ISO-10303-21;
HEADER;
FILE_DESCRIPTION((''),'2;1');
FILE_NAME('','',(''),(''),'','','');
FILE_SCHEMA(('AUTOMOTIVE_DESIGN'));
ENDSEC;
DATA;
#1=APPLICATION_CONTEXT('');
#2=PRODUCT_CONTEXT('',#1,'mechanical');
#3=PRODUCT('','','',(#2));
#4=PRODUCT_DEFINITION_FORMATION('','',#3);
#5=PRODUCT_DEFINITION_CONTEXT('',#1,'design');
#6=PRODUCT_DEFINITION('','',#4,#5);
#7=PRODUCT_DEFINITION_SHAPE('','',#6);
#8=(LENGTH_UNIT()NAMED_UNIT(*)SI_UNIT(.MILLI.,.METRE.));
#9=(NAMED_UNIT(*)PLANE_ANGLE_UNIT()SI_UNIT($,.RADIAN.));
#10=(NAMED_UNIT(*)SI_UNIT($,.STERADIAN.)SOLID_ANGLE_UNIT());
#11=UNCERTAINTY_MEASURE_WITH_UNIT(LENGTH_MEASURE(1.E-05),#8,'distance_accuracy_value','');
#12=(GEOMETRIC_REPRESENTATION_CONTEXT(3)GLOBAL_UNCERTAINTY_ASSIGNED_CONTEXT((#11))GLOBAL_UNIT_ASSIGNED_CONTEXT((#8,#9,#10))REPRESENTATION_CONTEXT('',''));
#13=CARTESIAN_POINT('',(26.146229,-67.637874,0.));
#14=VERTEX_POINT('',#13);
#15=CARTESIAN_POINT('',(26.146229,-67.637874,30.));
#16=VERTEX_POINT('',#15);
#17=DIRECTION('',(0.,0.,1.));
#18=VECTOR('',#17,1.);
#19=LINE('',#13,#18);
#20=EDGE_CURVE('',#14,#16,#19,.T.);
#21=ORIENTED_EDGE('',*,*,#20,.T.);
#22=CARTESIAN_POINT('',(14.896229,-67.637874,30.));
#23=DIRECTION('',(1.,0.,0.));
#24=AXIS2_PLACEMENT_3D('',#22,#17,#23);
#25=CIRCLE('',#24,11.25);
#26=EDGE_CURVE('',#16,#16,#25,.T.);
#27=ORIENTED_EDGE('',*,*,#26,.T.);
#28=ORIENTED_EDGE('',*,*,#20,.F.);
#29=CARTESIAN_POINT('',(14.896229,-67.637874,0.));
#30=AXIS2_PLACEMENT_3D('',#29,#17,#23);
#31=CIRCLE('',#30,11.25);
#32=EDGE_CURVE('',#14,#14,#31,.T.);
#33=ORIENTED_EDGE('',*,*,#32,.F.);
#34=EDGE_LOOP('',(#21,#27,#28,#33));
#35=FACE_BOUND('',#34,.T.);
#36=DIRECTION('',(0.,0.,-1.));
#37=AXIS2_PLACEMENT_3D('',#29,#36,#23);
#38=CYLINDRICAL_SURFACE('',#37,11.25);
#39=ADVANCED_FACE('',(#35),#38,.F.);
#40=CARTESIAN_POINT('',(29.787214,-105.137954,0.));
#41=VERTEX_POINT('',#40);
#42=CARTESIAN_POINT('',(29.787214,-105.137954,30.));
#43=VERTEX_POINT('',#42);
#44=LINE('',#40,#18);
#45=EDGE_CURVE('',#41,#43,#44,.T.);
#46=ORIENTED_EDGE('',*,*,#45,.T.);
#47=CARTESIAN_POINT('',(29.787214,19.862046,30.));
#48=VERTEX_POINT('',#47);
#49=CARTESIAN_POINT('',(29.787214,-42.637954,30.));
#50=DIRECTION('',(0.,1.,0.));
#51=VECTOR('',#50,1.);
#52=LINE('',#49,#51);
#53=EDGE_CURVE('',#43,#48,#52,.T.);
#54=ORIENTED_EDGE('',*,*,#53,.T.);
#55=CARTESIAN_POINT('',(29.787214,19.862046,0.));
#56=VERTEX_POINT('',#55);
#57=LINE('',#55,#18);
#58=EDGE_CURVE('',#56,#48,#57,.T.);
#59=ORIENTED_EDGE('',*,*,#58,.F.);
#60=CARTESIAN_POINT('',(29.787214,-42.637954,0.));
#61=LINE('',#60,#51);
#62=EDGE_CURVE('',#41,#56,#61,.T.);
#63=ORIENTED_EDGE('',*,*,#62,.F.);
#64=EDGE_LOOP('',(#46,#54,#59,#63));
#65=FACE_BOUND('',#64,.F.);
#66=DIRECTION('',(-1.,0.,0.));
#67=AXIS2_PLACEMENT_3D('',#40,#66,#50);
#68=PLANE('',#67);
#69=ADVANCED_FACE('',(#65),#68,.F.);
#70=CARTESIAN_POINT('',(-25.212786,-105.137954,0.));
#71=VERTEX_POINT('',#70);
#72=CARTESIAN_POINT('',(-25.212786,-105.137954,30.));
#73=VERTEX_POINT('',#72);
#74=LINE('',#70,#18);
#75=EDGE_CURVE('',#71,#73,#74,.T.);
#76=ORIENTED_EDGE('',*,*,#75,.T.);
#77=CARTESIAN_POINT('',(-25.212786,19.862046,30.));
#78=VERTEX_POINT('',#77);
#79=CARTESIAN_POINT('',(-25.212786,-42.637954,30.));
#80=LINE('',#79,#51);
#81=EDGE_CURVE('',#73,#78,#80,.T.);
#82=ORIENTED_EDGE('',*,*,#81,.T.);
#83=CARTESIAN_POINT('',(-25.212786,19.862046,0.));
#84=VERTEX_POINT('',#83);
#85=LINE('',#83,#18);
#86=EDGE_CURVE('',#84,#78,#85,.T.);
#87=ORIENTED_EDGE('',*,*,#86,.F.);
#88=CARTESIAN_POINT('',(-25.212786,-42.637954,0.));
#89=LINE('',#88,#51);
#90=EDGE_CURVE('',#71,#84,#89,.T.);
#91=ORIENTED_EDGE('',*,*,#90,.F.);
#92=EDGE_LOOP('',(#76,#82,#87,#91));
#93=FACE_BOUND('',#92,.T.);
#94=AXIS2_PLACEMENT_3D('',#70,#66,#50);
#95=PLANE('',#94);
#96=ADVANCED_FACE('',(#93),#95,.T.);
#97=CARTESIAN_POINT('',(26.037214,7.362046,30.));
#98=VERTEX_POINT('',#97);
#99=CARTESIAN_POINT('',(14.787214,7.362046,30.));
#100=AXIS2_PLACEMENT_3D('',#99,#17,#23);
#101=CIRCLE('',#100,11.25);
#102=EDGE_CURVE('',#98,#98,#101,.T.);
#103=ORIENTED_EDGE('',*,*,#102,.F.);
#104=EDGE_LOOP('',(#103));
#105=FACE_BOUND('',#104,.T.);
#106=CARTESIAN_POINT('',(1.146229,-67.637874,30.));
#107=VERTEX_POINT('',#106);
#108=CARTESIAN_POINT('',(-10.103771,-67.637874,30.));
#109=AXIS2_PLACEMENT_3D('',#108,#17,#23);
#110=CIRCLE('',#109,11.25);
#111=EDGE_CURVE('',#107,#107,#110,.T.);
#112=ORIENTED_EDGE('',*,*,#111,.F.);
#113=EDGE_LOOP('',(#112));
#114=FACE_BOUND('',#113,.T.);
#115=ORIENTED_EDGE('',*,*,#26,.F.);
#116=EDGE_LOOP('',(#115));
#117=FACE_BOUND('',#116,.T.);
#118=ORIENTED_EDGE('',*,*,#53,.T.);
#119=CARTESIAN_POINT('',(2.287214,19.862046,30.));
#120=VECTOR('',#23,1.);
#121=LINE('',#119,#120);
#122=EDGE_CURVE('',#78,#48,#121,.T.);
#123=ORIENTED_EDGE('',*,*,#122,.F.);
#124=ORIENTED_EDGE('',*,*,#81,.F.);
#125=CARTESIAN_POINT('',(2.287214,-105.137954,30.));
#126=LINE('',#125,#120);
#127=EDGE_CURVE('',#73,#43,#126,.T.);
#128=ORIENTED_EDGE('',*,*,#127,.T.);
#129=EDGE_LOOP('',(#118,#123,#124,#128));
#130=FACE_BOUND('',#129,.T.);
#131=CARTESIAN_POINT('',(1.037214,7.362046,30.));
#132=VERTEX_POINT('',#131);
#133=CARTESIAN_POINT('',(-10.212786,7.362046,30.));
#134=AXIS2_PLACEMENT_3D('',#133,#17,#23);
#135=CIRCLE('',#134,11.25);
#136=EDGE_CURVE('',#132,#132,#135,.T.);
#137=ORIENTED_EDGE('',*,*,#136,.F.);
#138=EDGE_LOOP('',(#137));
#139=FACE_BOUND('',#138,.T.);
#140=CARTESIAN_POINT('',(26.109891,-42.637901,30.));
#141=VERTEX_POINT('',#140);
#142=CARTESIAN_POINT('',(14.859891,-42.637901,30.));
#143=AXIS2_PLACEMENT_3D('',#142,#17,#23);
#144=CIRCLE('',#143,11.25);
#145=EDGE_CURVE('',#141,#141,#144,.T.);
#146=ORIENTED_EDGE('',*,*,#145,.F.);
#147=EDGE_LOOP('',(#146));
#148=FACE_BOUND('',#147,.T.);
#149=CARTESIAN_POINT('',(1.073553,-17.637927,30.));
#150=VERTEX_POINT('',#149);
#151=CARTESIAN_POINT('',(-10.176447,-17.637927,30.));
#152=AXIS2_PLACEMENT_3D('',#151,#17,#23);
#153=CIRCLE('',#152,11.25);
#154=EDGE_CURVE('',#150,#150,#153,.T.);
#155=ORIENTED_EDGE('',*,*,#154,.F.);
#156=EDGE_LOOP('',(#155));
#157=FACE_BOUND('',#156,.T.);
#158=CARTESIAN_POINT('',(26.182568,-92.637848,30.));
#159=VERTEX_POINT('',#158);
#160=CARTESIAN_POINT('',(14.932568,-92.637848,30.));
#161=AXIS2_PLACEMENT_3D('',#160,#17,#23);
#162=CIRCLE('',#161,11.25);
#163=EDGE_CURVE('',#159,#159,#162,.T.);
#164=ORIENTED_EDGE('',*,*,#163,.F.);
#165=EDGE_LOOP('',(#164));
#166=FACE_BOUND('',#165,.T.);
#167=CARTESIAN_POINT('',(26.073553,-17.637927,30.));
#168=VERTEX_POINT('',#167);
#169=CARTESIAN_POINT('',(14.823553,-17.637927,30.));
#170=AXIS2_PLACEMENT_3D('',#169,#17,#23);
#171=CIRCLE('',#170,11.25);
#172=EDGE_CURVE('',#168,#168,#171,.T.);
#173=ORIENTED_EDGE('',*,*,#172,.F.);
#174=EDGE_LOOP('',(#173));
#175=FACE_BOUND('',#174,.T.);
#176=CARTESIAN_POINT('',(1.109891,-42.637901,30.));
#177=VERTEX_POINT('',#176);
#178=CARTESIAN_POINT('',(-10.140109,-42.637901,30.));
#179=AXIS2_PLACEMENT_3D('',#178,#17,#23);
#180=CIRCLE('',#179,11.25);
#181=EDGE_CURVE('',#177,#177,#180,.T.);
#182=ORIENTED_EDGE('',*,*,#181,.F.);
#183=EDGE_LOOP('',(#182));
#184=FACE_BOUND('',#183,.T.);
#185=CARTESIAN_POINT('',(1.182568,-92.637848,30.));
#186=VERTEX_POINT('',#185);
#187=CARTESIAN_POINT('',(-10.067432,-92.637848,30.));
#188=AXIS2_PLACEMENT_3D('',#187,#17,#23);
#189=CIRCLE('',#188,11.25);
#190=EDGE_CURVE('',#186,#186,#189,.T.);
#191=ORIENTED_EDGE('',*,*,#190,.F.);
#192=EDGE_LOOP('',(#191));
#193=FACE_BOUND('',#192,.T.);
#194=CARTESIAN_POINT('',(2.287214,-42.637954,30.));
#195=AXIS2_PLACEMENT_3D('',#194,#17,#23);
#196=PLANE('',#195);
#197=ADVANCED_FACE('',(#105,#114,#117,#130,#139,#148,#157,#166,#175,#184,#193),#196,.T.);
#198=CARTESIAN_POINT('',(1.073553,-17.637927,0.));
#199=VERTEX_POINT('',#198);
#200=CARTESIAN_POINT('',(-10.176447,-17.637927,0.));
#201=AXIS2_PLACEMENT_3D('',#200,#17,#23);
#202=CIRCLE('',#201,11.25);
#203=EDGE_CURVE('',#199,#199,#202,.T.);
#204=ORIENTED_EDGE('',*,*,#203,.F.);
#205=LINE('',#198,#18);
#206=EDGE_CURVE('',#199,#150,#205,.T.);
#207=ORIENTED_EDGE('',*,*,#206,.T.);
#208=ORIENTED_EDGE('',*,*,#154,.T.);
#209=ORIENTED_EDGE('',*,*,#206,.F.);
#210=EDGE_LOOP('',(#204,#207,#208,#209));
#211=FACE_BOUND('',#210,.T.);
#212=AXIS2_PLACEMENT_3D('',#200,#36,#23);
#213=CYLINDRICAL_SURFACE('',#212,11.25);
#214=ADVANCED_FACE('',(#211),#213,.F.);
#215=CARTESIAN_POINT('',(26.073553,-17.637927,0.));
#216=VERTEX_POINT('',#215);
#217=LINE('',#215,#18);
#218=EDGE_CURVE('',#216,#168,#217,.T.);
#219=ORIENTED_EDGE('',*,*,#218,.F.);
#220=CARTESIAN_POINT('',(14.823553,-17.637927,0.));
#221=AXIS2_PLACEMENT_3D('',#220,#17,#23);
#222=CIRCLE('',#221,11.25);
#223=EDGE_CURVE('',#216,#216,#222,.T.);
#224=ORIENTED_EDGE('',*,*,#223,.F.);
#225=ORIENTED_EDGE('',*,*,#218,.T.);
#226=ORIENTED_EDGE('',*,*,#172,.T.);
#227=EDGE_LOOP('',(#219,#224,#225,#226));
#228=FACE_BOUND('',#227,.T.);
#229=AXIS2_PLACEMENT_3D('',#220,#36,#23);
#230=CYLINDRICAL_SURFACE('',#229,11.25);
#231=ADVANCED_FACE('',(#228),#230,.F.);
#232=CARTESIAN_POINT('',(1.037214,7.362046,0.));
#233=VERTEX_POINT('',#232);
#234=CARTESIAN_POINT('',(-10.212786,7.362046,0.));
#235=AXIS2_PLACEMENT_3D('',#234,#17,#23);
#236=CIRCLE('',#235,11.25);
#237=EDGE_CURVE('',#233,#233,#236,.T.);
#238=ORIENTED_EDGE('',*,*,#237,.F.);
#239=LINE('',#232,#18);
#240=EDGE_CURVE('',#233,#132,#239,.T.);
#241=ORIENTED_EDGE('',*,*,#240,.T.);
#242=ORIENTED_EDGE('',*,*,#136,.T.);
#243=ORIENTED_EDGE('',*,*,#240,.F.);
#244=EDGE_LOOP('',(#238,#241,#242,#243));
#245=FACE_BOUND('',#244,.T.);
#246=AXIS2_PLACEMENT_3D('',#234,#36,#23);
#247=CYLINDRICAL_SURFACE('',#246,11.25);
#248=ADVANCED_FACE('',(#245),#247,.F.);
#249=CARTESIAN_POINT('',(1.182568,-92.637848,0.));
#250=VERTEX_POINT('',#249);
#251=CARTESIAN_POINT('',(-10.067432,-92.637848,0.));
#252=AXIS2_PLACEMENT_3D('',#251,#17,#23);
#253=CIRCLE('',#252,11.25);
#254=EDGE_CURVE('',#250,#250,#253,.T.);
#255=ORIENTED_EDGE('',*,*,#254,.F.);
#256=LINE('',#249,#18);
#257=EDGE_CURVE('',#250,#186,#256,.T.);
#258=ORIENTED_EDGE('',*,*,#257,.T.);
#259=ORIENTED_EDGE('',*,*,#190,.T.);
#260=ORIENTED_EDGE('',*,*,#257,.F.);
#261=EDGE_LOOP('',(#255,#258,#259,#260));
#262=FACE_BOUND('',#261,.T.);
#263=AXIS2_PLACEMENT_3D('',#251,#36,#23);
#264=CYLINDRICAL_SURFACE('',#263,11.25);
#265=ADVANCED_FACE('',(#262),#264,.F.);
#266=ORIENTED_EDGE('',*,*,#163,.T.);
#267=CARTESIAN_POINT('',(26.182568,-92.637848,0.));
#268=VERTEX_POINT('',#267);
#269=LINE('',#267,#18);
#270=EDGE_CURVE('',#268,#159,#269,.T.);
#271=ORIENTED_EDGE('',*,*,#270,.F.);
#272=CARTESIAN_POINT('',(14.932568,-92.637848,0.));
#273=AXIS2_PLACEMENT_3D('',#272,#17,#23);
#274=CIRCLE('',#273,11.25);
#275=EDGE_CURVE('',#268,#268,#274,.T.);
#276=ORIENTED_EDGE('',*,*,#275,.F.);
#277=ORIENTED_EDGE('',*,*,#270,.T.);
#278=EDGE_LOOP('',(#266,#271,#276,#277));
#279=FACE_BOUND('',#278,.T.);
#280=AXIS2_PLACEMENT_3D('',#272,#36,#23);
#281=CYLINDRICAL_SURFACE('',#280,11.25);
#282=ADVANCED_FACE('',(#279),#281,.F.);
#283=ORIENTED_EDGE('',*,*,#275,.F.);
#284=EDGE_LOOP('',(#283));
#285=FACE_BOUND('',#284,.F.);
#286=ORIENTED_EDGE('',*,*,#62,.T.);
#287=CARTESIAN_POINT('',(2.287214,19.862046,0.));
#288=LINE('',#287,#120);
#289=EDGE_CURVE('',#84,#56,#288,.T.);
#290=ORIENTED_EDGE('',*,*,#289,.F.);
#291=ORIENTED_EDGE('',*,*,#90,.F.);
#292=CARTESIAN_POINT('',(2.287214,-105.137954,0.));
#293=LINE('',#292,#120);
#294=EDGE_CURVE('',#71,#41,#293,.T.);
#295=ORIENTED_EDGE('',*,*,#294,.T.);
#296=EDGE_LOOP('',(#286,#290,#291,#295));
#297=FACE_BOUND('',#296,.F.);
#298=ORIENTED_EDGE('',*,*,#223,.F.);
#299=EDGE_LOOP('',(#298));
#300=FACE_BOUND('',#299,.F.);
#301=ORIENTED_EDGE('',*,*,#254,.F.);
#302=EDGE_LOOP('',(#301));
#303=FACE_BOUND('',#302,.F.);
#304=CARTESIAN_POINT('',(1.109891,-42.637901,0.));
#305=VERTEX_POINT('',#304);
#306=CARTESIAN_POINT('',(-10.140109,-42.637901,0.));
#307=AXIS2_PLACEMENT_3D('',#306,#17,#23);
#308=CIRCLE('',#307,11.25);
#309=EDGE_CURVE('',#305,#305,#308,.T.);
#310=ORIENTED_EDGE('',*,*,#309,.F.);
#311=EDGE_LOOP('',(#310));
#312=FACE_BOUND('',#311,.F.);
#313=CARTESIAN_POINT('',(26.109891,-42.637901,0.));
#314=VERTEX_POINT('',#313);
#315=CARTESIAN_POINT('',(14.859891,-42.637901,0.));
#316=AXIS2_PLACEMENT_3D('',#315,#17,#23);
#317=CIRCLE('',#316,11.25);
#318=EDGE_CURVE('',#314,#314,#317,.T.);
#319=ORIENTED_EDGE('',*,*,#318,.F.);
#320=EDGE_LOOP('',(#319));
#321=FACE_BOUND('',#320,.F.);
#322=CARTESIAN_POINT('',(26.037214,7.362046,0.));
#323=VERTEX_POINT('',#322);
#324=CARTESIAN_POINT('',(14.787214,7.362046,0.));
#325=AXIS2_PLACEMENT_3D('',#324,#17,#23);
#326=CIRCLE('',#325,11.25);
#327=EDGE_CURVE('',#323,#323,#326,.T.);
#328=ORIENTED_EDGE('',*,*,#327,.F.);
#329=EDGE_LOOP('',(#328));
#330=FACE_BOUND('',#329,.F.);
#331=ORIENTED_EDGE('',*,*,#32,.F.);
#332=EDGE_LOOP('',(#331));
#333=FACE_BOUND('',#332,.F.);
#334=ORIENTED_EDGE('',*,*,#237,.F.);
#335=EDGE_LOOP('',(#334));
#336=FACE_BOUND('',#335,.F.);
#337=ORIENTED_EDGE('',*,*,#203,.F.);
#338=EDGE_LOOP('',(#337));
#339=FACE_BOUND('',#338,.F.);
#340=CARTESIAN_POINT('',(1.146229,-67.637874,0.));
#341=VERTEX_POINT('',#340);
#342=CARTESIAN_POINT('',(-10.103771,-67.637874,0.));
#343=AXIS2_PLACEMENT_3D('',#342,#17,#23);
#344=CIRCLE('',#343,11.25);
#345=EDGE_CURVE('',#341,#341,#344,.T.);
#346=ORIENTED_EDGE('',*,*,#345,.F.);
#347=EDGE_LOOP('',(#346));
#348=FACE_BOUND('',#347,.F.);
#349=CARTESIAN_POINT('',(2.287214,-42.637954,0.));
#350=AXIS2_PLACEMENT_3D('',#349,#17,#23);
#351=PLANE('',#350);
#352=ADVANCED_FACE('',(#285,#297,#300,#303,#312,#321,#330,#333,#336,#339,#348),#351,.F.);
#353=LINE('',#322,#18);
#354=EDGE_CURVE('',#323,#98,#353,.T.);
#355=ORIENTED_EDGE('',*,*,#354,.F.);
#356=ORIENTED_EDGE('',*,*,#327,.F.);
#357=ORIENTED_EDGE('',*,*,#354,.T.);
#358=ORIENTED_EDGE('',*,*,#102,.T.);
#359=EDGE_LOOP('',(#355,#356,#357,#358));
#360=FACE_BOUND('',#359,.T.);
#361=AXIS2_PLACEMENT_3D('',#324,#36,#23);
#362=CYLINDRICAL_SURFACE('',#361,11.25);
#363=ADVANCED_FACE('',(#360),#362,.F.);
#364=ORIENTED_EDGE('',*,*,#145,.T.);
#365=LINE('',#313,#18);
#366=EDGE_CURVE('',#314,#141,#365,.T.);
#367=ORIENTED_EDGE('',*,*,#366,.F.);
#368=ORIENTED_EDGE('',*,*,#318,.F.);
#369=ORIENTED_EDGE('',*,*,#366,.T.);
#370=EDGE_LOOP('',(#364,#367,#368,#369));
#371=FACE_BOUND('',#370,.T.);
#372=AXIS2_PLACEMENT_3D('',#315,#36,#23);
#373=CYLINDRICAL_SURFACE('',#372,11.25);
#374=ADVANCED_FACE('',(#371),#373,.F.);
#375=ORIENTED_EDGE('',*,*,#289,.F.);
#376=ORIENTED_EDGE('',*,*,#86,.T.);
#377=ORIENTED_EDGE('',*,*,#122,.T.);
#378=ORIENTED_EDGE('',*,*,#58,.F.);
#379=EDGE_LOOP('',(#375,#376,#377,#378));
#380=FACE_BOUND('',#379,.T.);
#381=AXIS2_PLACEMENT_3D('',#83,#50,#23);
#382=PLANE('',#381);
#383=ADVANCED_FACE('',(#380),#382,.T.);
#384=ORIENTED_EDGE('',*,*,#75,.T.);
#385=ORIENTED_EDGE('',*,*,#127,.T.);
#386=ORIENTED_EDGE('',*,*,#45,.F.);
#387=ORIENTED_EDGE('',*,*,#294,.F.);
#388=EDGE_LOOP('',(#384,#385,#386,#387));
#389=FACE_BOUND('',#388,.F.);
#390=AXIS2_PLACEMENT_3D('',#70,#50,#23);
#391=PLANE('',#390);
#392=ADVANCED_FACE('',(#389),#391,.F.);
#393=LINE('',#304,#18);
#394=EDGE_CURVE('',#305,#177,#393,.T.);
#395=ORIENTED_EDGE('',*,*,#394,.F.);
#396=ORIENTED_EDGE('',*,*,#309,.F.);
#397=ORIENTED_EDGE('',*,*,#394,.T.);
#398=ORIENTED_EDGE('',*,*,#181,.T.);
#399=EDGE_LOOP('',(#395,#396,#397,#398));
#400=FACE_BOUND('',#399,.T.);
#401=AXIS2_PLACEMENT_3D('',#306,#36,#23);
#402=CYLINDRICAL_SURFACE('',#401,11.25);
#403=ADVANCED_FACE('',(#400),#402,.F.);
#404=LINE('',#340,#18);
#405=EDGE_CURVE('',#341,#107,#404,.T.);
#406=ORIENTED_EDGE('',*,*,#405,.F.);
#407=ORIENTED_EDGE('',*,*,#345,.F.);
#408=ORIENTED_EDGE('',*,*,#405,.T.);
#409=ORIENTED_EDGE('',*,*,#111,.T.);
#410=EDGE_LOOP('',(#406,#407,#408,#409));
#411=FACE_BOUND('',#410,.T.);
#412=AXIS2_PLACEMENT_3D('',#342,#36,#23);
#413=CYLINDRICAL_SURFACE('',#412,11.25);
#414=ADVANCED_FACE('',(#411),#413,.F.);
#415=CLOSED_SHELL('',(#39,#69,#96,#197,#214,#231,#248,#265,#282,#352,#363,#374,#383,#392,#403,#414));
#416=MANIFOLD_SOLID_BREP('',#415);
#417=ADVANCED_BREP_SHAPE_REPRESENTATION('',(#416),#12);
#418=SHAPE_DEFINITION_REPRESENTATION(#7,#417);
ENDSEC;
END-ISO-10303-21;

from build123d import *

# Parameters (mm, degrees)
F0_W     = 55
F0_H     = 125
F0_R     = 11.25
F1_DEPTH = 30


with BuildPart() as f1:
    # F0 (on Top) → F1 (new body)
    with BuildSketch(Plane.XY):
        with Locations((2.287214, -42.637954)):
            Rectangle(F0_W, F0_H)
        with Locations((-10.067432, -92.637848)):
            Circle(F0_R, mode=Mode.SUBTRACT)
        with Locations((-10.103771, -67.637874)):
            Circle(F0_R, mode=Mode.SUBTRACT)
        with Locations((14.932568, -92.637848)):
            Circle(F0_R, mode=Mode.SUBTRACT)
        with Locations((14.896229, -67.637874)):
            Circle(F0_R, mode=Mode.SUBTRACT)
        with Locations((-10.140109, -42.637901)):
            Circle(F0_R, mode=Mode.SUBTRACT)
        with Locations((-10.176447, -17.637927)):
            Circle(F0_R, mode=Mode.SUBTRACT)
        with Locations((-10.212786, 7.362046)):
            Circle(F0_R, mode=Mode.SUBTRACT)
        with Locations((14.859891, -42.637901)):
            Circle(F0_R, mode=Mode.SUBTRACT)
        with Locations((14.823553, -17.637927)):
            Circle(F0_R, mode=Mode.SUBTRACT)
        with Locations((14.787214, 7.362046)):
            Circle(F0_R, mode=Mode.SUBTRACT)
    extrude(amount=F1_DEPTH)


solid = f1.part
